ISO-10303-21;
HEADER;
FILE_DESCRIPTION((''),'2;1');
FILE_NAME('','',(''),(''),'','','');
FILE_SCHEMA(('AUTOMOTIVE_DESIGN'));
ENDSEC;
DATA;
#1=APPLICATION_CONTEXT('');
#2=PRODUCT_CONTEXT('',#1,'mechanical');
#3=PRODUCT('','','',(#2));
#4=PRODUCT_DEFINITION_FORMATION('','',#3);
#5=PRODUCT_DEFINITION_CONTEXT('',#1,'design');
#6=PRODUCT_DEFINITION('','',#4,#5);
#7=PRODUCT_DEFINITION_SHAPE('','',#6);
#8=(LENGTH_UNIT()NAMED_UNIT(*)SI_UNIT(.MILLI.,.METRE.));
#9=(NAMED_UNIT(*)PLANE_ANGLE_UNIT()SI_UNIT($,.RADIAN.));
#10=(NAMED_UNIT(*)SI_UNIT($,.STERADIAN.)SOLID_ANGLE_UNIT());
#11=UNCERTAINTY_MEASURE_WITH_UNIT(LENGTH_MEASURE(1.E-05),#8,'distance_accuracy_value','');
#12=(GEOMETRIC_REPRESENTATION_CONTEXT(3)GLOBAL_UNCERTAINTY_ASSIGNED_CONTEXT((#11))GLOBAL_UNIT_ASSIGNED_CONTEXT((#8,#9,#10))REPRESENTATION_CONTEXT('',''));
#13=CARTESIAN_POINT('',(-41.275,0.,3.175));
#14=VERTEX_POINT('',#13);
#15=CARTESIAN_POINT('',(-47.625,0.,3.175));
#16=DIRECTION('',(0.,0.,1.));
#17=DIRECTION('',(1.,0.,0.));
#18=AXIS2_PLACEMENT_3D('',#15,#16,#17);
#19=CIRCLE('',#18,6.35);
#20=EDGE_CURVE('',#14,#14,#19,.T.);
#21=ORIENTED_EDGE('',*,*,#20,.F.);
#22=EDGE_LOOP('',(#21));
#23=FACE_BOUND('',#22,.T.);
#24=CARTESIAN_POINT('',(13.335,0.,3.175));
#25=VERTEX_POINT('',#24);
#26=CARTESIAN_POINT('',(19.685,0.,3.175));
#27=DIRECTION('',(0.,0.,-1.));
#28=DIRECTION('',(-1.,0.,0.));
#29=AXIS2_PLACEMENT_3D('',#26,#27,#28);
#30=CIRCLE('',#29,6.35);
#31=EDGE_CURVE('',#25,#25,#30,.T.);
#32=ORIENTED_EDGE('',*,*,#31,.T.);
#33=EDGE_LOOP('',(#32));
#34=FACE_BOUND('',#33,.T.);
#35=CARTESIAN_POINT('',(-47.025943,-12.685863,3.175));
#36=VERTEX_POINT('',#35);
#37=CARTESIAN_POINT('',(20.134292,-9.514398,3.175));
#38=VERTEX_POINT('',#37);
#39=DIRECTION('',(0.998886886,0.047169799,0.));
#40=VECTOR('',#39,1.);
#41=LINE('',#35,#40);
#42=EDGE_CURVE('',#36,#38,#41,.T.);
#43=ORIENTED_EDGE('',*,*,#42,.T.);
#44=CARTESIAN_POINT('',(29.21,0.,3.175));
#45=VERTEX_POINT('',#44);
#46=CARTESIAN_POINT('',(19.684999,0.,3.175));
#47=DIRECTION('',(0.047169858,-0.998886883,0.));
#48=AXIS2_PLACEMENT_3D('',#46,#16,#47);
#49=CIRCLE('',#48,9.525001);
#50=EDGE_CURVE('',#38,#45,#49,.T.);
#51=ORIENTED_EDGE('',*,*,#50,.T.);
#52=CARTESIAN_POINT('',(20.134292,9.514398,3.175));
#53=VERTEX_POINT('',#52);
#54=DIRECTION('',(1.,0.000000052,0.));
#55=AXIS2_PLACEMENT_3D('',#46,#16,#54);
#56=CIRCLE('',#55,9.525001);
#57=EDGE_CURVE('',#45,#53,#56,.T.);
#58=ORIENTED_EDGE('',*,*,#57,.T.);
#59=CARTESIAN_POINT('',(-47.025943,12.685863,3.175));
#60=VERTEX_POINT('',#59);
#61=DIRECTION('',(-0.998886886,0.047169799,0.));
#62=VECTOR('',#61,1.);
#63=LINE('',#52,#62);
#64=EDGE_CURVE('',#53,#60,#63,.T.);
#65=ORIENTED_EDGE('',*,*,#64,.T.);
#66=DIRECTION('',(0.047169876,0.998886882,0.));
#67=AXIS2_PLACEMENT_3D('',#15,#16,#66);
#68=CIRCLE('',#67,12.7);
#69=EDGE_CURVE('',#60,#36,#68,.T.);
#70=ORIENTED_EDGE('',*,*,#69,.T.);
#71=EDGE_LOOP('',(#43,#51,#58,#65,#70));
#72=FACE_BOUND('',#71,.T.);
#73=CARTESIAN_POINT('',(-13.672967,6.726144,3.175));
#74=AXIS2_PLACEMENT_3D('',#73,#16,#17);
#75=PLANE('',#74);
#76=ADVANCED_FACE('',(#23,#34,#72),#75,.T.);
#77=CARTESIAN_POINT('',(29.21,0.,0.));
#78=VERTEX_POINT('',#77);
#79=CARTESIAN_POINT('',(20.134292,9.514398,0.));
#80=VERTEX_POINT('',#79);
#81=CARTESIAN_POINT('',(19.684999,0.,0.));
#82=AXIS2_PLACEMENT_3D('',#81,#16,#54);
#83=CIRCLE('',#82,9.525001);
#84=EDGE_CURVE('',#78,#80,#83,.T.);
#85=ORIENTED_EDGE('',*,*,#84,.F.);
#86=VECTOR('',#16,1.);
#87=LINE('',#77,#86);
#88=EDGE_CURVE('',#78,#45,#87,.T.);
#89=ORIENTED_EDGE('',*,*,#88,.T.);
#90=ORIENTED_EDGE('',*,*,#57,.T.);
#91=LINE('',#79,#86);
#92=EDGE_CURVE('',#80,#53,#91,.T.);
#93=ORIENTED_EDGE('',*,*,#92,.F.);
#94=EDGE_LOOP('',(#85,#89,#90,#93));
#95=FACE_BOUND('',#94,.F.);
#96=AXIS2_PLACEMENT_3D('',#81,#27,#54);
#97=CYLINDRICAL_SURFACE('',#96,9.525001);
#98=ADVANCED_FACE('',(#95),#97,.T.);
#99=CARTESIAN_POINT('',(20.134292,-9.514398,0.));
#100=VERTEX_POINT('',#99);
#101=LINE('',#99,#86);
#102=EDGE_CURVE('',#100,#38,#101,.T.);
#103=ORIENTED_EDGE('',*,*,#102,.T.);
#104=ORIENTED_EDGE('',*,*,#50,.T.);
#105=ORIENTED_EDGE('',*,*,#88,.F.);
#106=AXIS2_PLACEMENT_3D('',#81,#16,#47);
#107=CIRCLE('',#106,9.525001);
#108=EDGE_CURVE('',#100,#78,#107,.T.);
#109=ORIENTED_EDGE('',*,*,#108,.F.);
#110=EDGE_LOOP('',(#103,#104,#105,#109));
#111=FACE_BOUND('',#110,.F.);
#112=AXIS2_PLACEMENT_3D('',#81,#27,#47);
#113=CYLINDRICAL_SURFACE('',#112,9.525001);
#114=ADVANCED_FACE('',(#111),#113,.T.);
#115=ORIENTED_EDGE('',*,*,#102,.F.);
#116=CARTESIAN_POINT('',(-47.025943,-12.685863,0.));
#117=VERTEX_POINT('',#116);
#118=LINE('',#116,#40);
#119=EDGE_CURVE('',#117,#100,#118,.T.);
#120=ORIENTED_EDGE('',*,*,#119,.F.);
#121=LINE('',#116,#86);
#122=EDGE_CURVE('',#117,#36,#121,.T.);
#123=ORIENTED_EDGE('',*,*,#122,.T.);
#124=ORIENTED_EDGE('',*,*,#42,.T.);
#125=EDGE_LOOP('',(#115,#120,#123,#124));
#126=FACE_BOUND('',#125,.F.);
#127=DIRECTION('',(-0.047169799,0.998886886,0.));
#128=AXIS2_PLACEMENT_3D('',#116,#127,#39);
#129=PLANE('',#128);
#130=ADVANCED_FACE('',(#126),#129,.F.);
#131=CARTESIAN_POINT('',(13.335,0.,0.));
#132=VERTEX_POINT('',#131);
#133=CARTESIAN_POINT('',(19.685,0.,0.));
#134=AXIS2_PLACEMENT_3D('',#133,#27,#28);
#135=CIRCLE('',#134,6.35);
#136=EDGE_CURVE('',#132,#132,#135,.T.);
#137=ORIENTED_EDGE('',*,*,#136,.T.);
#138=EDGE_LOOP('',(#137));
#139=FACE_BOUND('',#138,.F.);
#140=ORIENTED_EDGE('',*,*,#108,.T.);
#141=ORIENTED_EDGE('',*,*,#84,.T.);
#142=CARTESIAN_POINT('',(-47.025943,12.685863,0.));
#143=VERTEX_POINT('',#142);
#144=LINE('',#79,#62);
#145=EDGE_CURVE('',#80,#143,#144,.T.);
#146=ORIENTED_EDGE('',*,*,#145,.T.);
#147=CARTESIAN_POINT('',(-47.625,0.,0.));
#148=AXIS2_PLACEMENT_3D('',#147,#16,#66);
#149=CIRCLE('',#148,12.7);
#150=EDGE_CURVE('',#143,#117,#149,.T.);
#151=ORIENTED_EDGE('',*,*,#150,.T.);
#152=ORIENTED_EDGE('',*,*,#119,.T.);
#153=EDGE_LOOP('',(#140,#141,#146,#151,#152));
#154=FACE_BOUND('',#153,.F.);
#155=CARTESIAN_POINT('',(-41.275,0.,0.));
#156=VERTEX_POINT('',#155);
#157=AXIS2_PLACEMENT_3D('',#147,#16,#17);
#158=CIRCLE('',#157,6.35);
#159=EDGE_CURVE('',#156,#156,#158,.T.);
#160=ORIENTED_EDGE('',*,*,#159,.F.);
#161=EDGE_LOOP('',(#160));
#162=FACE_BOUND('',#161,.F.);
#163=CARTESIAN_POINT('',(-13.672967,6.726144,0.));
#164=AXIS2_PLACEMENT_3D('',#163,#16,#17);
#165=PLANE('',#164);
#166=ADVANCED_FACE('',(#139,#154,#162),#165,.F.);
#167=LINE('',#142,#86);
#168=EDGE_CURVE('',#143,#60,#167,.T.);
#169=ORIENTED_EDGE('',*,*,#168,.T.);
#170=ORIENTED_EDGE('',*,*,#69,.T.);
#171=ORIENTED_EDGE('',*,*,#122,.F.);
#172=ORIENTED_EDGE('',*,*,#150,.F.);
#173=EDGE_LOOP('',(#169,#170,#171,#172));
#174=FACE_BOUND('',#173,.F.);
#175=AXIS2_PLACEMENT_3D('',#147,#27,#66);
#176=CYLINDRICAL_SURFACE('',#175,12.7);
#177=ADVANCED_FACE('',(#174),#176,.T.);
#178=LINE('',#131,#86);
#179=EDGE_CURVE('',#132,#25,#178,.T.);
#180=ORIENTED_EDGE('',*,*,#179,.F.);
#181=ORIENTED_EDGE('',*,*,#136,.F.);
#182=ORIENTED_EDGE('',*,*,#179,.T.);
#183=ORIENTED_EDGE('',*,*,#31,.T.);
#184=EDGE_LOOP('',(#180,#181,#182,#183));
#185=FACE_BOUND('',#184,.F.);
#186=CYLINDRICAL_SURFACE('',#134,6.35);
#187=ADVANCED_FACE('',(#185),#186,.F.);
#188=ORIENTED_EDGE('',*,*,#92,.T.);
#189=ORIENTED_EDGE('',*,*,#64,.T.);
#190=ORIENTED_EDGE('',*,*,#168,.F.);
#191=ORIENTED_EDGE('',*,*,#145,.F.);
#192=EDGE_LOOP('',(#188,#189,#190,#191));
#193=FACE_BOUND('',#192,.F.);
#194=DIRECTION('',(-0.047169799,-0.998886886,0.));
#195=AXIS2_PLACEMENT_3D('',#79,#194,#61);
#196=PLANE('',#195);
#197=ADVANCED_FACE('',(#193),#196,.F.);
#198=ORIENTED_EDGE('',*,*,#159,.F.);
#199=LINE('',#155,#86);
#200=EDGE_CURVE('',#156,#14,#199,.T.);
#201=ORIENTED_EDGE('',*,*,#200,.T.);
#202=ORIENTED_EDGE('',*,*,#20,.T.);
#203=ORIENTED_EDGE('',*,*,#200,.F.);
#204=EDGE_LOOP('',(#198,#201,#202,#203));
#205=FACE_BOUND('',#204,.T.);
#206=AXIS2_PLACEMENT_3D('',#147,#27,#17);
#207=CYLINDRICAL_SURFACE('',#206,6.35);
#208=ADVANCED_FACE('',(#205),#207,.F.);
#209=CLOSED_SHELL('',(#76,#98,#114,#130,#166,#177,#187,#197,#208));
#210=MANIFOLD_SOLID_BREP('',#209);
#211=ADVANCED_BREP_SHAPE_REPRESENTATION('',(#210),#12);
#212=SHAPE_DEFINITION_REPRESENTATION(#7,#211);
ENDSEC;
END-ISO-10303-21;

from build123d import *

# Parameters (mm, degrees)
F0_R     = 6.35
F1_DEPTH = 3.175


with BuildPart() as f1:
    # F0 (on Top) → F1 (new body)
    with BuildSketch(Plane.XY):
        with BuildLine():
            ThreePointArc((-47.025943, 12.685863), (-38.435386, 8.765899), (-34.925, 0))
            Line((-34.925, 0), (10.16, 0))
            ThreePointArc((10.16, 0), (13.110576, 6.892211), (20.134292, 9.514398))
            Line((20.134292, 9.514398), (-47.025943, 12.685863))
        make_face()
        with BuildLine():
            Line((10.16, 0), (-34.925, 0))
            ThreePointArc((-34.925, 0), (-38.435386, -8.765899), (-47.025943, -12.685863))
            Line((-47.025943, -12.685863), (20.134292, -9.514398))
            ThreePointArc((20.134292, -9.514398), (13.110576, -6.892211), (10.16, 0))
        make_face()
        with BuildLine():
            ThreePointArc((-47.025943, -12.685863), (-38.435386, -8.765899), (-34.925, 0))
            ThreePointArc((-34.925, 0), (-38.435386, 8.765899), (-47.025943, 12.685863))
            ThreePointArc((-47.025943, 12.685863), (-60.325, 0), (-47.025943, -12.685863))
        make_face()
        with Locations((-47.625, 0)):
            Circle(F0_R, mode=Mode.SUBTRACT)
        with BuildLine():
            ThreePointArc((20.134292, 9.514398), (13.110576, 6.892211), (10.16, 0))
            ThreePointArc((10.16, 0), (13.110576, -6.892211), (20.134292, -9.514398))
            ThreePointArc((20.134292, -9.514398), (26.577211, -6.574424), (29.21, 0))
            ThreePointArc((29.21, 0), (26.577211, 6.574424), (20.134292, 9.514398))
        make_face()
        with BuildLine():
            ThreePointArc((26.035, 0), (19.685, -6.35), (13.335, 0))
            ThreePointArc((13.335, 0), (19.685, 6.35), (26.035, 0))
        make_face(mode=Mode.SUBTRACT)
    extrude(amount=F1_DEPTH)


solid = f1.part
